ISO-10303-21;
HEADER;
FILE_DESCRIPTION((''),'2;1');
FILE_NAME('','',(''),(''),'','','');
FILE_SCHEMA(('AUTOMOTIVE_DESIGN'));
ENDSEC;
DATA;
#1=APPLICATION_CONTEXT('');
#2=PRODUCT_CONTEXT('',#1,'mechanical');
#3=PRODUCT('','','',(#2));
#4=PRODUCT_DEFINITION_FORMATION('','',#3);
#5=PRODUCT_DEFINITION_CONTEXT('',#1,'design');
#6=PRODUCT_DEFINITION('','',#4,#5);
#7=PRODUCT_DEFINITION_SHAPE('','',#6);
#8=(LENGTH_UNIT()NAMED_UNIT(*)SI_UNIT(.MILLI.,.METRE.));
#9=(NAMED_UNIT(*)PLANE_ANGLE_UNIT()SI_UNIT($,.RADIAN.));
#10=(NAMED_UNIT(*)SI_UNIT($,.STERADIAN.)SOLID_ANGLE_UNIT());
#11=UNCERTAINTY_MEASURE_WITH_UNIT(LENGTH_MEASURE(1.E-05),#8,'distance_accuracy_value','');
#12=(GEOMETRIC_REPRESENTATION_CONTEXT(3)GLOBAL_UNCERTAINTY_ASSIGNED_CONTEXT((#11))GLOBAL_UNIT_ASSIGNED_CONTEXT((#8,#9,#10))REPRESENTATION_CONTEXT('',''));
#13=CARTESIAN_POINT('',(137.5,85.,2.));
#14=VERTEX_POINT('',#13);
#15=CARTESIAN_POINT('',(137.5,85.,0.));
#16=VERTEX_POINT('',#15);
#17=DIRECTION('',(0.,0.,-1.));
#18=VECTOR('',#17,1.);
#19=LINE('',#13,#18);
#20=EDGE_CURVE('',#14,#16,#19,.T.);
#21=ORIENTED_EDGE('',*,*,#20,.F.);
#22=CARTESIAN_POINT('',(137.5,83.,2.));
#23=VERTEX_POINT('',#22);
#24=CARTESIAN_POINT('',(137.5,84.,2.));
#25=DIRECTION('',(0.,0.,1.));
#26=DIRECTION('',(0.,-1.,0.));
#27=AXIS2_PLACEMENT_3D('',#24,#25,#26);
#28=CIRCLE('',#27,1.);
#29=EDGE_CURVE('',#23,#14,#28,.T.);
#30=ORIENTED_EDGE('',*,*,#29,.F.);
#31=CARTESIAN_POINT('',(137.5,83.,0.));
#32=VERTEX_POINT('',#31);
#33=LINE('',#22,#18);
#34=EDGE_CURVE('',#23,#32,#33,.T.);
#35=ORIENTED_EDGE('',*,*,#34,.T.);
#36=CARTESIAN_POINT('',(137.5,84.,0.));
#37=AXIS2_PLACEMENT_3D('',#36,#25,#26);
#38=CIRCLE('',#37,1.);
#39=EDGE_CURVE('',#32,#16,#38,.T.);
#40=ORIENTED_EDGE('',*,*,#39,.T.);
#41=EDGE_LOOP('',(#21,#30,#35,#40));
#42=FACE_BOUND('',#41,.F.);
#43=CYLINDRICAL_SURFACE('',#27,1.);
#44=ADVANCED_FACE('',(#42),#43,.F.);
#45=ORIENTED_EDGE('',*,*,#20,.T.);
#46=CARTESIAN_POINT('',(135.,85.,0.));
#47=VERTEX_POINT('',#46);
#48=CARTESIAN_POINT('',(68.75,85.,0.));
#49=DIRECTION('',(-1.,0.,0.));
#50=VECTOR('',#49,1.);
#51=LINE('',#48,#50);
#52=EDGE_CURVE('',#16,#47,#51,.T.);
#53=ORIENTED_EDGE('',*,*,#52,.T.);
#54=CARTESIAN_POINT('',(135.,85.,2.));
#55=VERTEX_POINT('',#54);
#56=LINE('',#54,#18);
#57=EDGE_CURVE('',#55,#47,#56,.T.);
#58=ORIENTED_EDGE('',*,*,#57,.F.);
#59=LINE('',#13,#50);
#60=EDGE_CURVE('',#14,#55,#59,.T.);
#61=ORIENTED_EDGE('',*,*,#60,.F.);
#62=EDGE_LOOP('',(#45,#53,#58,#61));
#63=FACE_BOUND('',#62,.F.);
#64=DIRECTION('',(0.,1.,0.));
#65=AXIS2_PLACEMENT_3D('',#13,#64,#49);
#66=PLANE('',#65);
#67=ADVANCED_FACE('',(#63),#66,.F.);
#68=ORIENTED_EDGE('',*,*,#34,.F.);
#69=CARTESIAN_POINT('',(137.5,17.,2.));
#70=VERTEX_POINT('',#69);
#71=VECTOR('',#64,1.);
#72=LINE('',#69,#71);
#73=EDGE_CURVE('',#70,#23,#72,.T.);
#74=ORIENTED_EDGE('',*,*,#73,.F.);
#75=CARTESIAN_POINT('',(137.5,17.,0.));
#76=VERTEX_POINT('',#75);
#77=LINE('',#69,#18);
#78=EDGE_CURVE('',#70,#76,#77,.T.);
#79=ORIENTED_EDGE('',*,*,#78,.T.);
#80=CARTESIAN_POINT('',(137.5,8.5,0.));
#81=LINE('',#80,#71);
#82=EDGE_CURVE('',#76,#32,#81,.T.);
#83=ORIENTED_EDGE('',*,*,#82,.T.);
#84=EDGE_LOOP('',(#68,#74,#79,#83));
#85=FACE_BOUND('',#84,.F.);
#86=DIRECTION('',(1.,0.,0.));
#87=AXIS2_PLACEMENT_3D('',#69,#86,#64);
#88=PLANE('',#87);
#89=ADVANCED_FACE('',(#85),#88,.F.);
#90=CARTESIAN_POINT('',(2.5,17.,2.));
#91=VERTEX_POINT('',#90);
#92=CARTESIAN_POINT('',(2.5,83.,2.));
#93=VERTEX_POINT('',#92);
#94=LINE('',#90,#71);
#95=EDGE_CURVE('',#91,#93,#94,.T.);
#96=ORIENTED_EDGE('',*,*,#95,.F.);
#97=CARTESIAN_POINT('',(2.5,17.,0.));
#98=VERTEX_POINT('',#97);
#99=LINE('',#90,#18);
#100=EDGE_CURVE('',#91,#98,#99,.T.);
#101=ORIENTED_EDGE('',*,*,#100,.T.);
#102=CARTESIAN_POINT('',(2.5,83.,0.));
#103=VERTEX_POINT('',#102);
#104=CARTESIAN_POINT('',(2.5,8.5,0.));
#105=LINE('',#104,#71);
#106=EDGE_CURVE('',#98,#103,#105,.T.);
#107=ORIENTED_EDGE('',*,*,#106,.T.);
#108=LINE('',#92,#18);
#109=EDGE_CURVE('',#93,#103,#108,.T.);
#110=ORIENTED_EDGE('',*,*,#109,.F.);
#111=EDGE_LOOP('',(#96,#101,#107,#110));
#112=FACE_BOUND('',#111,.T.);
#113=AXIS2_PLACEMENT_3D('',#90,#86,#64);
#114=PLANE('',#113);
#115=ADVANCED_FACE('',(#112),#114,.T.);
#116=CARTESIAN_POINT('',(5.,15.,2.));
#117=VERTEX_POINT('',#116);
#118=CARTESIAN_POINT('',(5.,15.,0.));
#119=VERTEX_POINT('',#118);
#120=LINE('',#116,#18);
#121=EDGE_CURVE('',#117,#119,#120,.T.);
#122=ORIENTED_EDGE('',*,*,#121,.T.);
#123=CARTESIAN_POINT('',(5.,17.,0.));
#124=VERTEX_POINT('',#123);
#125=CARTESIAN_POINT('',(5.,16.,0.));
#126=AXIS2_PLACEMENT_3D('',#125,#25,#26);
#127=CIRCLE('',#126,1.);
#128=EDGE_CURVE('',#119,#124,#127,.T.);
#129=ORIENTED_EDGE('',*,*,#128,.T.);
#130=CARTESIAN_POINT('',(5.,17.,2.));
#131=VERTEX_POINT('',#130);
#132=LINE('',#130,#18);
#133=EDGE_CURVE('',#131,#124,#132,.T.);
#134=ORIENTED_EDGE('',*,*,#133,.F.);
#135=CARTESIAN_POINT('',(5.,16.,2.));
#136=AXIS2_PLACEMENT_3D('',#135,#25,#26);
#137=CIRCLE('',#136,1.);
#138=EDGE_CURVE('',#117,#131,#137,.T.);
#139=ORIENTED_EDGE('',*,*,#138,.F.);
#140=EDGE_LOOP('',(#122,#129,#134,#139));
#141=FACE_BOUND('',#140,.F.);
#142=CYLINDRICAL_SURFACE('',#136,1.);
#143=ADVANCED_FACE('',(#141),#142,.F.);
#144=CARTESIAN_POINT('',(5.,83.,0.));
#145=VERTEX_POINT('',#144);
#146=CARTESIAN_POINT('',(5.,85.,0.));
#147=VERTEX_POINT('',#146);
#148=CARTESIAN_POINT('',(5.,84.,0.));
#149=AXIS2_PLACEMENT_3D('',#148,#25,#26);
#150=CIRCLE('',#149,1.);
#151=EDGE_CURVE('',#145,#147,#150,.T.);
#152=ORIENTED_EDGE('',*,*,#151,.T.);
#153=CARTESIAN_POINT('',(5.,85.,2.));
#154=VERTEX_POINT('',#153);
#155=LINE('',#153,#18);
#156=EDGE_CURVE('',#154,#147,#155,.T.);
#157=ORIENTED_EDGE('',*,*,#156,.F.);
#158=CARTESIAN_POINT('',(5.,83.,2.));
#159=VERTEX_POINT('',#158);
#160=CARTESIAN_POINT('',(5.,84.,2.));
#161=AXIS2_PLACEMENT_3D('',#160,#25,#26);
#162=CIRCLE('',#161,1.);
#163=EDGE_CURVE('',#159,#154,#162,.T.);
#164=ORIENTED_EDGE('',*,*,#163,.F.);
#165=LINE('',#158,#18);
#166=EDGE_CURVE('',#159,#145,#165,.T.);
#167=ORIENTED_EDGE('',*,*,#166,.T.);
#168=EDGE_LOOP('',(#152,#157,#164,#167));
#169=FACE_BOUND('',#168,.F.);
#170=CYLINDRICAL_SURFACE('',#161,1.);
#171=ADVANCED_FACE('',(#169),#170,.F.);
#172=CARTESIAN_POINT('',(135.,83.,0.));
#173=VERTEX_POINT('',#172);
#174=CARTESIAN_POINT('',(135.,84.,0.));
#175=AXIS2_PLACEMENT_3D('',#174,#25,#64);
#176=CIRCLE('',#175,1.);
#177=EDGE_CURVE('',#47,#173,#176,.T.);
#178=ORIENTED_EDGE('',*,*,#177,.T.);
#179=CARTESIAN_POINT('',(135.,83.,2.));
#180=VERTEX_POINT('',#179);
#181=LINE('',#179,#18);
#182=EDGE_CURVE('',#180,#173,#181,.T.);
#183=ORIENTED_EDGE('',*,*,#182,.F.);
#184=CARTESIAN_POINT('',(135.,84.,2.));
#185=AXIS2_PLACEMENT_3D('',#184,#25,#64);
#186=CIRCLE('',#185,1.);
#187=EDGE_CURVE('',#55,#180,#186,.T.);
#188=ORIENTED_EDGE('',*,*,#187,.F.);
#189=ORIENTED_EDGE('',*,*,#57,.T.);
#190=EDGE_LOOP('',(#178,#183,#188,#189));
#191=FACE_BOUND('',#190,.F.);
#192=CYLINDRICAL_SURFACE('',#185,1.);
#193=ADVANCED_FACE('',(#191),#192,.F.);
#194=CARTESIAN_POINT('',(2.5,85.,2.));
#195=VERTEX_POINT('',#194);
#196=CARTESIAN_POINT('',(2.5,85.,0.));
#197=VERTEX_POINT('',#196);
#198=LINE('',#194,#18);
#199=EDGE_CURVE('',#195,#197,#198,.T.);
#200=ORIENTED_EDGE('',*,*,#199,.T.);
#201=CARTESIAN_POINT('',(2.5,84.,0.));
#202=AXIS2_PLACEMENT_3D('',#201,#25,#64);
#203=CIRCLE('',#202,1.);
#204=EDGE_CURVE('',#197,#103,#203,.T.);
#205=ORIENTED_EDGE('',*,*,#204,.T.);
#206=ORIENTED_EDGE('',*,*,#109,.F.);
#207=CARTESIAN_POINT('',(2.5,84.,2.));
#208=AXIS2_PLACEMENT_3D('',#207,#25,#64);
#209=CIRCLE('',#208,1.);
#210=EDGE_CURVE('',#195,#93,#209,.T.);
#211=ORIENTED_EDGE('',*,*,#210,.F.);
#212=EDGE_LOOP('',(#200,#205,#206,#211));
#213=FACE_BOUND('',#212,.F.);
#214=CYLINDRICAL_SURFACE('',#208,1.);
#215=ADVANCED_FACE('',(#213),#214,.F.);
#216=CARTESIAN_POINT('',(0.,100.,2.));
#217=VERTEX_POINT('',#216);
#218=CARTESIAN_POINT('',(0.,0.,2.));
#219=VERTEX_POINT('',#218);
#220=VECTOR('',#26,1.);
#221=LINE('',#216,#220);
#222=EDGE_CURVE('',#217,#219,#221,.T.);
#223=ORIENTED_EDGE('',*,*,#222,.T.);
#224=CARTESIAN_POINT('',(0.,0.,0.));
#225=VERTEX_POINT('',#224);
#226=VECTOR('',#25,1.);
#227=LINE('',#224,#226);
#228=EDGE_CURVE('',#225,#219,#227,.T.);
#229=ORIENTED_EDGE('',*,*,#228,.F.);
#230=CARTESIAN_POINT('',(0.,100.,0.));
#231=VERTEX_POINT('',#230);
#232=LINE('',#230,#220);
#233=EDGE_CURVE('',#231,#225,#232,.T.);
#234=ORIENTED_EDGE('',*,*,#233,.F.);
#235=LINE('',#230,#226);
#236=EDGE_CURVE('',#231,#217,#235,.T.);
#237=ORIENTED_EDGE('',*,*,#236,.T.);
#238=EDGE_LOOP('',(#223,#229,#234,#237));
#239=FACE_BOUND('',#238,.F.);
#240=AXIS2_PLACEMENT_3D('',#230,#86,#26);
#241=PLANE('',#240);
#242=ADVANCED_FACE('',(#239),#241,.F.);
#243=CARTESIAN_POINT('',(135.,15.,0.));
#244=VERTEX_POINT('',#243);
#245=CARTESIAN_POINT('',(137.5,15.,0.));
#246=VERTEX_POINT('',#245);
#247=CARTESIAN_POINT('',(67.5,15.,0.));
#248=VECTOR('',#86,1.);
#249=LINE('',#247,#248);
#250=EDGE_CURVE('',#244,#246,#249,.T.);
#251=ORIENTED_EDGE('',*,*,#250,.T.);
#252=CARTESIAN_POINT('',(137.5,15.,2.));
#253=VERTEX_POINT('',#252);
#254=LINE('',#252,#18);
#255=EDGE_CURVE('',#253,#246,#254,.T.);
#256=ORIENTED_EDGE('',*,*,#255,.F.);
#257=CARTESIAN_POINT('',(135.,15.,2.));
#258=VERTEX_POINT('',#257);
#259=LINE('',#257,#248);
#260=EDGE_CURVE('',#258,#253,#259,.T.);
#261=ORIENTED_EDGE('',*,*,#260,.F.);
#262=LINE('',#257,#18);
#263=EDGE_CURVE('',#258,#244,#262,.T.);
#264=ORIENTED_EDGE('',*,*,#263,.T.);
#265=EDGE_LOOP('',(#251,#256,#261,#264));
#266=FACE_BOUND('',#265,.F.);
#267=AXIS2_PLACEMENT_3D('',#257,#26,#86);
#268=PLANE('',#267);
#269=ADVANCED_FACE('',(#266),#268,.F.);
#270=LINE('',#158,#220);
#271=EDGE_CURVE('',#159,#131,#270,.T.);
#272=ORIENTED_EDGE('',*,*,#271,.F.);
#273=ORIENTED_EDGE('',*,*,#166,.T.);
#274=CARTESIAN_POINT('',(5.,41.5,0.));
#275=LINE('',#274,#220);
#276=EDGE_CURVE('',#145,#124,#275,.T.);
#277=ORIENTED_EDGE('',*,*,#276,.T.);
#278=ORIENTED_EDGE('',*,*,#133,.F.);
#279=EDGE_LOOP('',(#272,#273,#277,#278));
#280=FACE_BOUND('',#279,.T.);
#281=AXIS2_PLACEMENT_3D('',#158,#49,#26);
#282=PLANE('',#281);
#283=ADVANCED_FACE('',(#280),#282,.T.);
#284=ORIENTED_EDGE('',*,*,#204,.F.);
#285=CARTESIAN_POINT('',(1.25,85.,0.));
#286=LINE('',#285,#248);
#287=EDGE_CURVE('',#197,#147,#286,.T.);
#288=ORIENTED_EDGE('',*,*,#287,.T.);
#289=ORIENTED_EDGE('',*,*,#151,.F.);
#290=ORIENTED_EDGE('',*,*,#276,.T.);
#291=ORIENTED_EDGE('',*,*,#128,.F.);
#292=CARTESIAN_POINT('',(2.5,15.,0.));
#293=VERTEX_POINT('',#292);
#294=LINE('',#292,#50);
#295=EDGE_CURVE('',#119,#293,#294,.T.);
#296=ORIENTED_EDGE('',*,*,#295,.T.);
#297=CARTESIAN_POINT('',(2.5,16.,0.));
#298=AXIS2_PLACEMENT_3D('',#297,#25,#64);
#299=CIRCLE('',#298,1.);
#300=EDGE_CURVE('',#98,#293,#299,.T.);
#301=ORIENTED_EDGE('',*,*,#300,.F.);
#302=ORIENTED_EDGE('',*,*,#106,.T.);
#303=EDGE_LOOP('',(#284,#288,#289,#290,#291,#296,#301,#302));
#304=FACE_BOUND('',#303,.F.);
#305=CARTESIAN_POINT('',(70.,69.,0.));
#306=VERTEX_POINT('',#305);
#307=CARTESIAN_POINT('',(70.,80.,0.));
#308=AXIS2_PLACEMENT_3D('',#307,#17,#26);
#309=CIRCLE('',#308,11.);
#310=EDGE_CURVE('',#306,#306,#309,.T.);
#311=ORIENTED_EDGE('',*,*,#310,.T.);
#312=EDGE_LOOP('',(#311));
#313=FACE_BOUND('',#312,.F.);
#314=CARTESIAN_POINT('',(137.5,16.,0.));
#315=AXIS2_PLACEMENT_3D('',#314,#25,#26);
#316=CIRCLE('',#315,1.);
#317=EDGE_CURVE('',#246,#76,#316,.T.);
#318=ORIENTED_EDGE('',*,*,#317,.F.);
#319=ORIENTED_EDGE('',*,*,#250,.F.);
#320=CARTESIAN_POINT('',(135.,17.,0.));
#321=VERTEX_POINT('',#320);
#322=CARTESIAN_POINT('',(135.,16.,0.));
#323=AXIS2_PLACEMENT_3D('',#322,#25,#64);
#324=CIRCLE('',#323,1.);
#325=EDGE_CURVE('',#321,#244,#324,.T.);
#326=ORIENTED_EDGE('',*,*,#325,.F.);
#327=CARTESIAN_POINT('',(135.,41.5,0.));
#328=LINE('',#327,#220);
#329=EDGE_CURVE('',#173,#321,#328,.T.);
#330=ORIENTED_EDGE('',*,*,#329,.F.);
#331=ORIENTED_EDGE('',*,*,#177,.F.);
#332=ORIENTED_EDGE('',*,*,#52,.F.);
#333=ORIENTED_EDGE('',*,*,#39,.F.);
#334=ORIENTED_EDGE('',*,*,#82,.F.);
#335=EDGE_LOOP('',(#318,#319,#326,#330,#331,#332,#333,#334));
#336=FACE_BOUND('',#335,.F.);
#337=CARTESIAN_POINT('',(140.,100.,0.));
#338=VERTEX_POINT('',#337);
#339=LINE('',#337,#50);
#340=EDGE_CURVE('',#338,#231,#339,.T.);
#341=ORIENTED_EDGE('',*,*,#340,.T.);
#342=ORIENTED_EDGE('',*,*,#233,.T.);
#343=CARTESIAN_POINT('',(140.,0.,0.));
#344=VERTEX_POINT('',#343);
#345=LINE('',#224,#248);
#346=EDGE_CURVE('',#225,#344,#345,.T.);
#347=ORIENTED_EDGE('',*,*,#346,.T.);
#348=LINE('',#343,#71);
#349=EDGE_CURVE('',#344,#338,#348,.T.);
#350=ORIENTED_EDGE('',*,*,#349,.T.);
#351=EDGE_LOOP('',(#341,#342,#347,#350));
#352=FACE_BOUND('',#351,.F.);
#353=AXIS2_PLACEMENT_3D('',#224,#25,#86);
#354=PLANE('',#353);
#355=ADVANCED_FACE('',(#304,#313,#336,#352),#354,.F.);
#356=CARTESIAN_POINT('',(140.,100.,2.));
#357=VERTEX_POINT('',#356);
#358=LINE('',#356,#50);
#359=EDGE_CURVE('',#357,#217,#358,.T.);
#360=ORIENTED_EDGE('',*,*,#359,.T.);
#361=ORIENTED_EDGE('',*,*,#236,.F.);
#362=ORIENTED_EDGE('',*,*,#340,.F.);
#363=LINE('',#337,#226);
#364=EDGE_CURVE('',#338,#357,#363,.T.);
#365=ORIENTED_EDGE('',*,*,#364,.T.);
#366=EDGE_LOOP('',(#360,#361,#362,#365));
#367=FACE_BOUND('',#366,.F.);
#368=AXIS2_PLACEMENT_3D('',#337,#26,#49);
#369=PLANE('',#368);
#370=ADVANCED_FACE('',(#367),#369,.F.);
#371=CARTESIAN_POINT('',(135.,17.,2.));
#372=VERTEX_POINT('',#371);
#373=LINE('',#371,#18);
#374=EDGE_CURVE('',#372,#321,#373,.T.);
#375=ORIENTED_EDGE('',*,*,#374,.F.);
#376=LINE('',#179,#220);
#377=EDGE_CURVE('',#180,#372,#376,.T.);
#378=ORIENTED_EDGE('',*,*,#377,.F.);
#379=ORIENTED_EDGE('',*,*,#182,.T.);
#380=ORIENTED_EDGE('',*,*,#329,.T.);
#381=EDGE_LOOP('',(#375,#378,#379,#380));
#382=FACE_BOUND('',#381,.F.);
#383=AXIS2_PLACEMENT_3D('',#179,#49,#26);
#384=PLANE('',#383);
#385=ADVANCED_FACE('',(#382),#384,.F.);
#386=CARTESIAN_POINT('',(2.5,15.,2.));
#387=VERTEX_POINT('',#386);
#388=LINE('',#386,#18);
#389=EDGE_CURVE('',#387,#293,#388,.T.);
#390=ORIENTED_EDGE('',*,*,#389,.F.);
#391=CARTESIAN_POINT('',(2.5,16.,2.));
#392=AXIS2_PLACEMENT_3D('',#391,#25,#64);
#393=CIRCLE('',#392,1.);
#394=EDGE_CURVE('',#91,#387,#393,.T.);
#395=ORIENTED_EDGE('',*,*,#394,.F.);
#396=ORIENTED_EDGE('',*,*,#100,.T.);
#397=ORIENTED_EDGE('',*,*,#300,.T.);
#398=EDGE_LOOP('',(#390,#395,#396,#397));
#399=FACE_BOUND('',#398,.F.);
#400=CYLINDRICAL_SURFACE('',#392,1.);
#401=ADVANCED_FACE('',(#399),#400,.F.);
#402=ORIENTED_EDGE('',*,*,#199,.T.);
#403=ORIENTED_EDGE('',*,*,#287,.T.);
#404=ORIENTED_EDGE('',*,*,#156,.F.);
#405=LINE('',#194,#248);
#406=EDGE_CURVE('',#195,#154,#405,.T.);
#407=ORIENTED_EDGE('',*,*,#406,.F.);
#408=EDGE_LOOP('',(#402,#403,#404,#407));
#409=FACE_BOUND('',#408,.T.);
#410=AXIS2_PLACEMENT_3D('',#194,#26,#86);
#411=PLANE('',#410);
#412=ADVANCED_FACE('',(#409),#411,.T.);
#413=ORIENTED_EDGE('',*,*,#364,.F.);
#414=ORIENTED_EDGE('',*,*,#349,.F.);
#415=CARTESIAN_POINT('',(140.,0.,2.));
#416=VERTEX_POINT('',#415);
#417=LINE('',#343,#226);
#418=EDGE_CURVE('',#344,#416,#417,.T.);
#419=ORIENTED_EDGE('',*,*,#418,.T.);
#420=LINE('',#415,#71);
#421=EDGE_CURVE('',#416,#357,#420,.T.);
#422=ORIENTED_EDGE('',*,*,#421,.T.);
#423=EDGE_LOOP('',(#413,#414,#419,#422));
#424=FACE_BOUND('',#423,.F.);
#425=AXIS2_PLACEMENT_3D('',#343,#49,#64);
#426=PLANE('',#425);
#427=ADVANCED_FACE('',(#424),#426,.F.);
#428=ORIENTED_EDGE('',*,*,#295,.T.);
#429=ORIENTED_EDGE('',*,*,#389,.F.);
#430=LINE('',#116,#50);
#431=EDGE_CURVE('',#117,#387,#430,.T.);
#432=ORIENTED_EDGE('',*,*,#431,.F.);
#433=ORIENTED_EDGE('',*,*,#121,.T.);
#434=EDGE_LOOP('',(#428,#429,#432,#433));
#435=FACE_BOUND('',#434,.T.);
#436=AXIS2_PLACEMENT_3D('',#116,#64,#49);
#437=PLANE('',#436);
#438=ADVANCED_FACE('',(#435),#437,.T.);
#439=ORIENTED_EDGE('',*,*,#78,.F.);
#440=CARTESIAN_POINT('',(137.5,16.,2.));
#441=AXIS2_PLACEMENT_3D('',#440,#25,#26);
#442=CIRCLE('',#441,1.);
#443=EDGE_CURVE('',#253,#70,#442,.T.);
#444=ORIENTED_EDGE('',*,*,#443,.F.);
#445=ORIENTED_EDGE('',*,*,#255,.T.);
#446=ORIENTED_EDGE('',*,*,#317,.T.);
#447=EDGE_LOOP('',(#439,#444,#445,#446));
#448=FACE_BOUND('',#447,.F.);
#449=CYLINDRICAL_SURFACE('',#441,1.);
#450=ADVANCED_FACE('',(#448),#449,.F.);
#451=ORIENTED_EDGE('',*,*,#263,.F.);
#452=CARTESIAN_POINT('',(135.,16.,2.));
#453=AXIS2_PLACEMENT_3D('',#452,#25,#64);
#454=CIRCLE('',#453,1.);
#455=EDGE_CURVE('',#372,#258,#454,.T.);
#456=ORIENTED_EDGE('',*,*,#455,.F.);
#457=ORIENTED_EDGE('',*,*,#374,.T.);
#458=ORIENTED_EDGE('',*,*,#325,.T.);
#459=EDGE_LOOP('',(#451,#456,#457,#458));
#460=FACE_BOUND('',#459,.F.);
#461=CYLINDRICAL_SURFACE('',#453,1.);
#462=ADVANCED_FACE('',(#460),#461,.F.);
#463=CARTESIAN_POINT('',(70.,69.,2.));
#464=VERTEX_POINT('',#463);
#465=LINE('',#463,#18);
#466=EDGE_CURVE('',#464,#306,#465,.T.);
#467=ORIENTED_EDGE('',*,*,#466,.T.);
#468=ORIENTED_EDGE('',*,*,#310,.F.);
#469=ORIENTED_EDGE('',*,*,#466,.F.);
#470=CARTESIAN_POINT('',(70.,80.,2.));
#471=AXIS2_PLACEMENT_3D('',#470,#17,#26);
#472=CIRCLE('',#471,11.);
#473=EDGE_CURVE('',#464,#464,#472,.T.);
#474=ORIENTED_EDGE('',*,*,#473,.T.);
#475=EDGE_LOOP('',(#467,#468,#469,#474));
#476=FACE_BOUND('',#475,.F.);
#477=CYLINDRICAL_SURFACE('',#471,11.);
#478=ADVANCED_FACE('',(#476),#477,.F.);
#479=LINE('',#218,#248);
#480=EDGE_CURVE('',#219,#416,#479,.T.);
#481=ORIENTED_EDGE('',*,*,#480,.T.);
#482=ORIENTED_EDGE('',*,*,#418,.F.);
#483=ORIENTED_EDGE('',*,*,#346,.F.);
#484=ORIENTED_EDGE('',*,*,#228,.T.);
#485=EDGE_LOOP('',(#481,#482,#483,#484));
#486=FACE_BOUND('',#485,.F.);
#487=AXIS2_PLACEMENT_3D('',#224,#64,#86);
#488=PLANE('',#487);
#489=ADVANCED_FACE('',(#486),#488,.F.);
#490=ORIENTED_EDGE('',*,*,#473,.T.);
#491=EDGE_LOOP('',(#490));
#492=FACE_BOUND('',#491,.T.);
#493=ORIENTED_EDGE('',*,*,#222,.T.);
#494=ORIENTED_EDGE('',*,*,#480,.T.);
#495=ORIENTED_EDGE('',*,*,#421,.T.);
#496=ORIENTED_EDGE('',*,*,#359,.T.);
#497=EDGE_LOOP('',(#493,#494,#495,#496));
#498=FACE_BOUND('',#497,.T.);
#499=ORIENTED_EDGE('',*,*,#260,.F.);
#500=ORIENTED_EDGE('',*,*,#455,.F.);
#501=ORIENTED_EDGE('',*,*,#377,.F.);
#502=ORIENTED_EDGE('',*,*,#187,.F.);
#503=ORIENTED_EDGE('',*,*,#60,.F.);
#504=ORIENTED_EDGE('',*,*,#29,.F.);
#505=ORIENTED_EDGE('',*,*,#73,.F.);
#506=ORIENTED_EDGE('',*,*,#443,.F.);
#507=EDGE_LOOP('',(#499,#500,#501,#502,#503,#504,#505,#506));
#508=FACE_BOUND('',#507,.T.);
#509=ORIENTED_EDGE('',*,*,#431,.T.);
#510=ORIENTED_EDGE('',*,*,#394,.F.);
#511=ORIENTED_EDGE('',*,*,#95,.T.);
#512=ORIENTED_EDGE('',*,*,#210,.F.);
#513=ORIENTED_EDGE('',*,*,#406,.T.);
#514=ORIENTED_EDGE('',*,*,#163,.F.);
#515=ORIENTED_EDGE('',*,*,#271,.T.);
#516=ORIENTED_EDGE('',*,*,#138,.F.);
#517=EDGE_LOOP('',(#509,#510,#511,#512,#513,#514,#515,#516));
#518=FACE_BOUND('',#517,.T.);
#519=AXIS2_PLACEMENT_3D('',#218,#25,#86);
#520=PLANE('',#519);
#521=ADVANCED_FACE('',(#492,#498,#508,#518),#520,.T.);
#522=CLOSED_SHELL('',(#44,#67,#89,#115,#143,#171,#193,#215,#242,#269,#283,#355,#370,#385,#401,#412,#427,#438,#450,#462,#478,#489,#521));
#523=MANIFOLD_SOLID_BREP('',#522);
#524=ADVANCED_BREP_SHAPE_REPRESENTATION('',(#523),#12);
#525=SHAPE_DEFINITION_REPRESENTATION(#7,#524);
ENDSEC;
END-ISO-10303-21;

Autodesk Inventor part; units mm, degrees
ref_plane "YZ Plane" through (0, 0, 0) normal (1, 0, 0) x (0, 1, 0)
ref_plane "XZ Plane" through (0, 0, 0) normal (0, 1, 0) x (-1, 0, 0)
ref_plane "XY Plane" through (0, 0, 0) normal (0, 0, 1) x (1, 0, 0)
sketch "スケッチ1" plane through (0, 0, 0) normal (0, 0, 1) x (1, 0, 0)
  line L0 (0, 0) -> (140, 0)
  line L1 (140, 0) -> (140, 100)
  line L2 (140, 100) -> (0, 100)
  line L3 (0, 100) -> (0, 0)
  dimension "d0" = 140
  dimension "d1" = 100
extrude "押し出し1" add sketch "スケッチ1" along normal blind 2
sketch "スケッチ2" plane through (0, 0, 2) normal (0, 0, 1) x (1, 0, 0)
  line L0 (140, 100) -> (0, 100) projected
  line L1 (70, 100) -> (70, 0) construction
  line L2 (0, 0) -> (140, 0) projected
  line L3 (2.5, 85) -> (5, 85)
  line L4 (5, 83) -> (5, 17)
  line L5 (5, 15) -> (2.5, 15)
  line L6 (2.5, 17) -> (2.5, 83)
  line L7 (0, 100) -> (0, 0) projected
  line L8 (0, 50) -> (140, 50) construction
  line L9 (140, 0) -> (140, 100) projected
  arc A0 (2.5, 85) -> (2.5, 83) centre (2.5, 84) ccw
  arc A1 (5, 83) -> (5, 85) centre (5, 84) ccw
  arc A2 (2.5, 17) -> (2.5, 15) centre (2.5, 16) ccw
  arc A3 (5, 15) -> (5, 17) centre (5, 16) ccw
  line L10 (137.5, 85) -> (135, 85)
  line L11 (135, 83) -> (135, 17)
  line L12 (135, 15) -> (137.5, 15)
  line L13 (137.5, 17) -> (137.5, 83)
  line L14 (140, 50) -> (0, 50) construction
  arc A4 (137.5, 83) -> (137.5, 85) centre (137.5, 84) ccw
  arc A5 (135, 85) -> (135, 83) centre (135, 84) ccw
  arc A6 (137.5, 15) -> (137.5, 17) centre (137.5, 16) ccw
  arc A7 (135, 17) -> (135, 15) centre (135, 16) ccw
  dimension "d4" = 2.5
  dimension "d5" = 2.5
  dimension "d6" = 70
  dimension "d7" = 2
  dimension "d8" = 2
  dimension "d9" = 2
  dimension "d10" = 2
extrude "押し出し2" cut sketch "スケッチ2" against normal through all contours L3 A1 L4 A3 L5 A2 L6 A0 | A4 L13 A6 L12 A7 L11 A5 L10
sketch "スケッチ3" plane through (0, 0, 2) normal (0, 0, 1) x (1, 0, 0)
  line L0 (140, 100) -> (0, 100) projected
  line L1 (70, 100) -> (70, 0) construction
  line L2 (0, 0) -> (140, 0) projected
  point P0 (70, 80)
  dimension "d13" = 20
hole "穴1" at (70, 80, 2) direction (0, 0, -1) diameter 22 end through all
properties part number "body_top"
